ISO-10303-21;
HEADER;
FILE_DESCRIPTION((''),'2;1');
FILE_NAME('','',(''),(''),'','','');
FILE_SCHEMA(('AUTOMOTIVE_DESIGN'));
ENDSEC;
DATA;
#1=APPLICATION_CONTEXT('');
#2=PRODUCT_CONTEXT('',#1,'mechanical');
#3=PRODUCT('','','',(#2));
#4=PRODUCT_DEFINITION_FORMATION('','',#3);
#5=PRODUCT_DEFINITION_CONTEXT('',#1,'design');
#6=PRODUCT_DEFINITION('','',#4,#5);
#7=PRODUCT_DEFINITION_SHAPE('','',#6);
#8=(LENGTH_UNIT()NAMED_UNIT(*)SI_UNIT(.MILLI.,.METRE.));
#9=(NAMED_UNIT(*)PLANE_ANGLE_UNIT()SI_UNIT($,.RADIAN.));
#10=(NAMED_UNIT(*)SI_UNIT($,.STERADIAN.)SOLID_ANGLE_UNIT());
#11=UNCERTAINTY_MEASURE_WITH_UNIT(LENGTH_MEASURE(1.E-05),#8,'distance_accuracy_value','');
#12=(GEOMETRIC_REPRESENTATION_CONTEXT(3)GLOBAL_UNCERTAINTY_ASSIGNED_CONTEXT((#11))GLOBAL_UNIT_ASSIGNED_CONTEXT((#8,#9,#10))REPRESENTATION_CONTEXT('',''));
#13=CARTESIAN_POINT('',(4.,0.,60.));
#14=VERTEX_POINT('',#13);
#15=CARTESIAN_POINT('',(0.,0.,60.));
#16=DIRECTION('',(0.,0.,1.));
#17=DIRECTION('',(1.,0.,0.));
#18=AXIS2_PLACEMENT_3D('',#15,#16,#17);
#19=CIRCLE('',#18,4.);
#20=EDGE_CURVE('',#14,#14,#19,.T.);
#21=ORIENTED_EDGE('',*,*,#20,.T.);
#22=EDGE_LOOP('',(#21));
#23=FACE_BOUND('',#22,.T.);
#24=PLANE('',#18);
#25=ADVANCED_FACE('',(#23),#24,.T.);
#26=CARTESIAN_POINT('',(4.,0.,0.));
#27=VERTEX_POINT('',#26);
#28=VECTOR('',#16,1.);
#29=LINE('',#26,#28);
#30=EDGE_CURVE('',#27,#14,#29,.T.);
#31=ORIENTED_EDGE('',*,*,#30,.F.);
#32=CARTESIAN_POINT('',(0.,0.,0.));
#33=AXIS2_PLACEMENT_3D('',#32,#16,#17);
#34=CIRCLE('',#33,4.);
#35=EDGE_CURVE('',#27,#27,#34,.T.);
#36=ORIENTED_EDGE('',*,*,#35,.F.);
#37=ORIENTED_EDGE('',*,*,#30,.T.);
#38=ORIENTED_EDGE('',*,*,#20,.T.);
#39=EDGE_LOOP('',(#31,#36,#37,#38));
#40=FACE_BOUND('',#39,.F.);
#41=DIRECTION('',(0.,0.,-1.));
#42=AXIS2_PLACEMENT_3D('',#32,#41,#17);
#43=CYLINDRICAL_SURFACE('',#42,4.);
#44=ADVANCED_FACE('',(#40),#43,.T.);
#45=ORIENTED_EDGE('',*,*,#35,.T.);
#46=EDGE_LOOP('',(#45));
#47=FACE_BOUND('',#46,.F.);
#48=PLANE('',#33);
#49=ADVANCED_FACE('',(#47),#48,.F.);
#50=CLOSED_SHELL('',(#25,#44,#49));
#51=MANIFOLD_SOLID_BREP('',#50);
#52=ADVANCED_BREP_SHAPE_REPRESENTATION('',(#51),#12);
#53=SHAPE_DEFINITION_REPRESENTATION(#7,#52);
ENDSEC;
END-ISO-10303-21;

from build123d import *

# Parameters (mm, degrees)
SKETCH1_R           = 4
BOSS_EXTRUDE1_DEPTH = 60


with BuildPart() as part:
    # Sketch1 → Boss-Extrude1 (new body)
    with BuildSketch(Plane.XY):
        Circle(SKETCH1_R)
    extrude(amount=BOSS_EXTRUDE1_DEPTH)


solid = part.part
